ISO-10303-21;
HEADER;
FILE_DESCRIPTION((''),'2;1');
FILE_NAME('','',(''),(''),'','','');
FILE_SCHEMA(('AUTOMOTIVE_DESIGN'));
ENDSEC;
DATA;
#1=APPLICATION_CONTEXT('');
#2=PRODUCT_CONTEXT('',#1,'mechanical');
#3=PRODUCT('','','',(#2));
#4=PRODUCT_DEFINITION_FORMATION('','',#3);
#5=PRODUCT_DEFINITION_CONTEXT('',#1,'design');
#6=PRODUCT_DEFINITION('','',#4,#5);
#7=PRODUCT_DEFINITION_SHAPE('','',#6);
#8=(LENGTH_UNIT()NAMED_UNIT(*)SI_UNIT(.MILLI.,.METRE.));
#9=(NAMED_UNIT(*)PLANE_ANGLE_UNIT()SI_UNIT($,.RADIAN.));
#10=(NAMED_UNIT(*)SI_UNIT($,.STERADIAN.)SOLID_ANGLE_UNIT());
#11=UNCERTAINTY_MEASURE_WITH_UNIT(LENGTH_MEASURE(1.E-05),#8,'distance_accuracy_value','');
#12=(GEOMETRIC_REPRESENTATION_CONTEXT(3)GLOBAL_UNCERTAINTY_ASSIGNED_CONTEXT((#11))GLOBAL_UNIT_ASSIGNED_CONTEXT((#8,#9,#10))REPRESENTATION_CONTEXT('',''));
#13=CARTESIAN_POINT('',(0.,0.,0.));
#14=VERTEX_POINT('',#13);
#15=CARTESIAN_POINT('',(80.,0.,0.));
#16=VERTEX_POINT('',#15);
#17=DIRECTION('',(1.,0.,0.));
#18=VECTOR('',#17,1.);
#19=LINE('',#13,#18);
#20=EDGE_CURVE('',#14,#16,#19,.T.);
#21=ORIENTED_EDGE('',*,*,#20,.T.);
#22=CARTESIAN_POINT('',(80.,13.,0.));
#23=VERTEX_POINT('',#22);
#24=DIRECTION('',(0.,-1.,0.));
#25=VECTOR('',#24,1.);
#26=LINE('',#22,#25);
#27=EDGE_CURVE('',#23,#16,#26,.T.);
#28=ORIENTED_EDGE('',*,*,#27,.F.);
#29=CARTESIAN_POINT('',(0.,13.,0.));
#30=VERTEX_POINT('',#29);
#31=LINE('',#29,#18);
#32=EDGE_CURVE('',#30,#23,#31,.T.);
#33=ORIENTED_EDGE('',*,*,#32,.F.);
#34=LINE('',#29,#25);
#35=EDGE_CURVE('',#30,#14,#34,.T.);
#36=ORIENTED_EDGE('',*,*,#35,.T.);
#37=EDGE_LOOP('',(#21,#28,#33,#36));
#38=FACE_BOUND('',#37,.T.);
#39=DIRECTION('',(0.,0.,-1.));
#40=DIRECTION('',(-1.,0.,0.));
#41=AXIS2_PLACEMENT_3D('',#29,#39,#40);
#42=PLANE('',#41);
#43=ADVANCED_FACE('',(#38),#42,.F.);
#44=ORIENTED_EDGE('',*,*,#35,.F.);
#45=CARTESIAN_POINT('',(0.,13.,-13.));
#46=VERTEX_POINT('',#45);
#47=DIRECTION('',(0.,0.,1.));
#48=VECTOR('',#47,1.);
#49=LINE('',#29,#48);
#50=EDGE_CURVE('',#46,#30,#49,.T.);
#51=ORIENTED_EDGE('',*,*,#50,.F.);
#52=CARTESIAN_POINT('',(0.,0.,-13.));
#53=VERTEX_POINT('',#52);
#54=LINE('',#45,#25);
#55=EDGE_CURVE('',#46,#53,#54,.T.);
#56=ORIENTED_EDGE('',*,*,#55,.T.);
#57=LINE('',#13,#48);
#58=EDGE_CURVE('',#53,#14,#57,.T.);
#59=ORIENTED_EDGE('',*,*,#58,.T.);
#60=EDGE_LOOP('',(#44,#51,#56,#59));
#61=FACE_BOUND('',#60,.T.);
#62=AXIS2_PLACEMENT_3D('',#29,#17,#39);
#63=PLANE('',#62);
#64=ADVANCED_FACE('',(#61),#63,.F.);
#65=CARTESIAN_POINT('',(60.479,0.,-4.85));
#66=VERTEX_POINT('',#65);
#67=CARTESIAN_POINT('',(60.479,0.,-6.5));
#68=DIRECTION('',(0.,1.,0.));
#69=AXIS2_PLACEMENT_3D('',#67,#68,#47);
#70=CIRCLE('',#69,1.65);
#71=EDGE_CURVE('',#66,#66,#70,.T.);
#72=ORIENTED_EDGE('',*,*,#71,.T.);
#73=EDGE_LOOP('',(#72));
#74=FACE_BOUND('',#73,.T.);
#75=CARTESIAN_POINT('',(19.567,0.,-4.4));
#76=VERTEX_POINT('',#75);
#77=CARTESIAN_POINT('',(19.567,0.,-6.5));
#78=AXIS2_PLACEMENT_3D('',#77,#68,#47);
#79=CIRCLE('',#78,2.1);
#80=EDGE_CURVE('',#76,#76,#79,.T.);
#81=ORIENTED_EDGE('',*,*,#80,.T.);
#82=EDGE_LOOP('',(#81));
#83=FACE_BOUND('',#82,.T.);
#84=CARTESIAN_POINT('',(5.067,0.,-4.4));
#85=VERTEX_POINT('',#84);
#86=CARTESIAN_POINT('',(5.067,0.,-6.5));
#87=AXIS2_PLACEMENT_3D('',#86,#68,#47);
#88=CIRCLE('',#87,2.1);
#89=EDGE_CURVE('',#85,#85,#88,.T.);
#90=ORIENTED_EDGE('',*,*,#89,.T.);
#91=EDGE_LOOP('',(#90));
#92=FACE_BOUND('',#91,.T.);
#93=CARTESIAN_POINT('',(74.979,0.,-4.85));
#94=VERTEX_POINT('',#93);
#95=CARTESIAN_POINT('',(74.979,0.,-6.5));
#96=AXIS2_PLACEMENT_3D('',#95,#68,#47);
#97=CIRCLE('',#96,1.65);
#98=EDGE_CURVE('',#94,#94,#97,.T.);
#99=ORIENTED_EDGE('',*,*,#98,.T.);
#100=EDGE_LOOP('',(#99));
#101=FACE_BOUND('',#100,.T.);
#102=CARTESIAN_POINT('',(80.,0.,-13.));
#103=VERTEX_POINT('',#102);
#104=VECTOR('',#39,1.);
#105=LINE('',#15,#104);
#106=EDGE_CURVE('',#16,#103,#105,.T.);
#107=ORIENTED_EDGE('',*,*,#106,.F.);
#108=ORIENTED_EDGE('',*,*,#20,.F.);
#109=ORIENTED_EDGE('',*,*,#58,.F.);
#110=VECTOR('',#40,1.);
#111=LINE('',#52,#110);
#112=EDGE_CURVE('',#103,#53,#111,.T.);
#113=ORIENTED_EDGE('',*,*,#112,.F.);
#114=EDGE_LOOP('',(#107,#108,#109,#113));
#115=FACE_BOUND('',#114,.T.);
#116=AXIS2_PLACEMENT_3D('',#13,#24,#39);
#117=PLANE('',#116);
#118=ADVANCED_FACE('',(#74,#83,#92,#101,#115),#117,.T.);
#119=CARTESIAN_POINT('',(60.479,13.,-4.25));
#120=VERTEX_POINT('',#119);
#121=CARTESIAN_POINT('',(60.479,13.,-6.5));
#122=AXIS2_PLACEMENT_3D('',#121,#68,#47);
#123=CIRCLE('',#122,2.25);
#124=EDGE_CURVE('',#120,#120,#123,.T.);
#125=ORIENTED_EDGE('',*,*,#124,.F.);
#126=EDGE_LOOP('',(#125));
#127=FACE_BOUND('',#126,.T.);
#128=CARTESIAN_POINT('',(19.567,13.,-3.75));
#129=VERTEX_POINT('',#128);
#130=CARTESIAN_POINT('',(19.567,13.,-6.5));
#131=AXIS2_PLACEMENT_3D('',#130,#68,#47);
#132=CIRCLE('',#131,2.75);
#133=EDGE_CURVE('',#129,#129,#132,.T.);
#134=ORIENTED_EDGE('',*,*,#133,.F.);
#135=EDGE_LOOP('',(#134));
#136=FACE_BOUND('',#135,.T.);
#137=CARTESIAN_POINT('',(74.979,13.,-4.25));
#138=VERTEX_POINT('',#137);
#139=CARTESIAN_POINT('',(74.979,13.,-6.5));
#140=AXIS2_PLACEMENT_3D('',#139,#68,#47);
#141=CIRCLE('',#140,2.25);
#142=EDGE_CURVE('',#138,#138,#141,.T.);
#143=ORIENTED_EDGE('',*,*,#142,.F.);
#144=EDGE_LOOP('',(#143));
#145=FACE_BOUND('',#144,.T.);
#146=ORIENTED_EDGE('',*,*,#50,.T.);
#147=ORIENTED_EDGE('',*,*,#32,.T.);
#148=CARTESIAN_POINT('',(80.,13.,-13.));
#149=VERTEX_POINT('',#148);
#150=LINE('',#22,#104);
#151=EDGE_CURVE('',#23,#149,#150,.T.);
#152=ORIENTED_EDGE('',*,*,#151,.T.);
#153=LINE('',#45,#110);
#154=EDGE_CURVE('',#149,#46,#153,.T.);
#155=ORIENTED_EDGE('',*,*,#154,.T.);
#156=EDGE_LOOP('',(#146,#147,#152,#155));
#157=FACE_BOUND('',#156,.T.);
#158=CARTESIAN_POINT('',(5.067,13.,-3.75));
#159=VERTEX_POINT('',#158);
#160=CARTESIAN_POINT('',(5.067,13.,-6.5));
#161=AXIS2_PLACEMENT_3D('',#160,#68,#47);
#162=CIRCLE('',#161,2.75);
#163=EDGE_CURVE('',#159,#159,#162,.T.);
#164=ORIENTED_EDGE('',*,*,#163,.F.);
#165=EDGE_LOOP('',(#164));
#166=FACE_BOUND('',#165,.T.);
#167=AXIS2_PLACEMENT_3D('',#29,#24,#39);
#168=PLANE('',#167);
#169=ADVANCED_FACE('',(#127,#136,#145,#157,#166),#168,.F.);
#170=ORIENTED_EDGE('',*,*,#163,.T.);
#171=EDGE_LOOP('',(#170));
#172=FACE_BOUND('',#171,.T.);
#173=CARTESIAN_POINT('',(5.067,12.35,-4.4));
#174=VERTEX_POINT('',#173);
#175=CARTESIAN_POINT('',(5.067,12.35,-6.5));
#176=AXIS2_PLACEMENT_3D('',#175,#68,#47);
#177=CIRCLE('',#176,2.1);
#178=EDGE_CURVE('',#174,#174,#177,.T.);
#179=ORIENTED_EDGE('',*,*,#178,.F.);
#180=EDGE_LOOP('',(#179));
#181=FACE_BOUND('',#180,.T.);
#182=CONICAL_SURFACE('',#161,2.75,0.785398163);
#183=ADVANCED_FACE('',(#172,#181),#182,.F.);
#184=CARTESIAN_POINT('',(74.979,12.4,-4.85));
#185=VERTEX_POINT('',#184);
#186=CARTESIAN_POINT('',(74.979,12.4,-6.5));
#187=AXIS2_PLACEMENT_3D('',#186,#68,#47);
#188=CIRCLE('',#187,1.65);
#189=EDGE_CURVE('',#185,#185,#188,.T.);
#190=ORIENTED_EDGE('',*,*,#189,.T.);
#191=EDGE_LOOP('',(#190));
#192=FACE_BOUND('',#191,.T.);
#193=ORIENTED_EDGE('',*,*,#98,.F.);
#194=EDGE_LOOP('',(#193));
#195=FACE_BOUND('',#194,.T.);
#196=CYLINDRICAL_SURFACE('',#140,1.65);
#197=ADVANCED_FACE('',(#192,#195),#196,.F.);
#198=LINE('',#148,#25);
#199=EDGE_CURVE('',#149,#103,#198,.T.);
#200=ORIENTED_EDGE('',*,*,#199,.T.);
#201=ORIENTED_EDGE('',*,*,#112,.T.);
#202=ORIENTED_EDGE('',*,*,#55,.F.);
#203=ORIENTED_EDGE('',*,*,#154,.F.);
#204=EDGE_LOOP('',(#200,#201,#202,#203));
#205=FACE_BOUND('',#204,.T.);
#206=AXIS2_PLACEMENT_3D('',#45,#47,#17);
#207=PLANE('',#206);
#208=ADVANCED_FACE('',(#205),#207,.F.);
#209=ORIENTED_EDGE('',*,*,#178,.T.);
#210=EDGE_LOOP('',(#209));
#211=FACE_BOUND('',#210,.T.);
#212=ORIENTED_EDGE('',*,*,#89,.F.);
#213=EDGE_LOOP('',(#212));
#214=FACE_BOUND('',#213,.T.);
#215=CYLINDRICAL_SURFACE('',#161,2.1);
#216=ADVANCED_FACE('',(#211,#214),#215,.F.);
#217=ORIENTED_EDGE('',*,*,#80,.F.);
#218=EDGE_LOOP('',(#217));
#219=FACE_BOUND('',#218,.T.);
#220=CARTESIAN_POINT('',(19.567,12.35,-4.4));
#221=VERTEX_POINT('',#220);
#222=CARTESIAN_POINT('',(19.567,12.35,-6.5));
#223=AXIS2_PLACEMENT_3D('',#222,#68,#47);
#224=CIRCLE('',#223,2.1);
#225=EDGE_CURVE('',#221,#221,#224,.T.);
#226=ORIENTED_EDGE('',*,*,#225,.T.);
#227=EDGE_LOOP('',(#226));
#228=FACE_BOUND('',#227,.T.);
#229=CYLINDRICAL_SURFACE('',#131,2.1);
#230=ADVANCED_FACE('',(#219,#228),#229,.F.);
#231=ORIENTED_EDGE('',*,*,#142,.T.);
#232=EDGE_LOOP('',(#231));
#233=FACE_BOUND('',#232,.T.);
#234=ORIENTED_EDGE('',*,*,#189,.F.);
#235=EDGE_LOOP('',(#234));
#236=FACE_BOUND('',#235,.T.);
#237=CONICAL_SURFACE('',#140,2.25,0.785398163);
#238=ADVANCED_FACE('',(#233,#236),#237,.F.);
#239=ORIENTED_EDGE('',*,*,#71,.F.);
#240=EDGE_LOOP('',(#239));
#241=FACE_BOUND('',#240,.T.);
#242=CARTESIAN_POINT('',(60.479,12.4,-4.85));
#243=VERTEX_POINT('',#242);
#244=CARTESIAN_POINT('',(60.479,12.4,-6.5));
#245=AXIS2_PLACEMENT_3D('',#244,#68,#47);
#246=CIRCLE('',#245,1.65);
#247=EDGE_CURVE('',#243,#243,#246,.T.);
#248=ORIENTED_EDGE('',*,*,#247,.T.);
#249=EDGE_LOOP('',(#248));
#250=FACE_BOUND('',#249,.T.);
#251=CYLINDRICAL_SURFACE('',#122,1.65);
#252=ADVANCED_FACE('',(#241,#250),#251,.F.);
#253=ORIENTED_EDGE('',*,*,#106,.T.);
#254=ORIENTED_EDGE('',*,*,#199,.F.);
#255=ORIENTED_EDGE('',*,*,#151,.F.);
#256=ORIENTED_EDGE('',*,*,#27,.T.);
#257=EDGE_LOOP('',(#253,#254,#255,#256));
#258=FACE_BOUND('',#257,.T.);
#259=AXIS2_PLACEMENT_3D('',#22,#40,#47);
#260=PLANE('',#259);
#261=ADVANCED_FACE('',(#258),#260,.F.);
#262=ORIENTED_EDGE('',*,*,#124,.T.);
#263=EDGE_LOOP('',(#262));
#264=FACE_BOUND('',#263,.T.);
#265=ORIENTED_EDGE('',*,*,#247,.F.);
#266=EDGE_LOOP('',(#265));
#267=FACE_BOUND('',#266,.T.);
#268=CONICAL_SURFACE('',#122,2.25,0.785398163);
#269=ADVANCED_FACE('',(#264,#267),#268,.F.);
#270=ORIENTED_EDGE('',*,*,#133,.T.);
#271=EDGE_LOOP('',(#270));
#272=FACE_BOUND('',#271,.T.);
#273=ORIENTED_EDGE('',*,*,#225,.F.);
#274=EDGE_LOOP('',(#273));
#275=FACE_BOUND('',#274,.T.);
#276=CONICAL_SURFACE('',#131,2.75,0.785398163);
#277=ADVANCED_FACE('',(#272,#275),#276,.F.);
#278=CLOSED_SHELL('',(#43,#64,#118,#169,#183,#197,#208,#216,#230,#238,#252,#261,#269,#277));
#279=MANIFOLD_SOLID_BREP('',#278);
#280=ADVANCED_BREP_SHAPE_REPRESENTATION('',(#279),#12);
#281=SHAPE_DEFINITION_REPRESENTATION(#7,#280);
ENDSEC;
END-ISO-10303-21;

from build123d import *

# Parameters (mm, degrees)
SKETCH1_W                       = 80
SKETCH1_H                       = 13
BOSS_EXTRUDE1_DEPTH             = 13
M4X0_7_TAPPED_HOLE1_D           = 3.3
M4X0_7_TAPPED_HOLE1_CSINK_D     = 4.5
M4X0_7_TAPPED_HOLE1_CSINK_ANGLE = 90
M5X0_8_TAPPED_HOLE1_D           = 4.2
M5X0_8_TAPPED_HOLE1_CSINK_D     = 5.5
M5X0_8_TAPPED_HOLE1_CSINK_ANGLE = 90


with BuildPart() as part:
    # Sketch1 → Boss-Extrude1 (new body)
    with BuildSketch(Plane(origin=(0, 0, 0), x_dir=(1, 0, 0), z_dir=(0, 1, 0))):
        with Locations((40, 6.5)):
            Rectangle(SKETCH1_W, SKETCH1_H)
    extrude(amount=BOSS_EXTRUDE1_DEPTH)

    # M4x0.7 Tapped Hole1 (through all)
    with Locations(Plane(origin=(74.979, 13, -6.5), x_dir=(0, 0, 1), z_dir=(0, 1, 0))):
        with Locations((0, 0), (0, -14.5)):
            CounterSinkHole(M4X0_7_TAPPED_HOLE1_D / 2, M4X0_7_TAPPED_HOLE1_CSINK_D / 2, counter_sink_angle=M4X0_7_TAPPED_HOLE1_CSINK_ANGLE)

    # M5x0.8 Tapped Hole1 (through all)
    with Locations(Plane(origin=(5.067, 13, -6.5), x_dir=(0, 0, 1), z_dir=(0, 1, 0))):
        with Locations((0, 0), (0, 14.5)):
            CounterSinkHole(M5X0_8_TAPPED_HOLE1_D / 2, M5X0_8_TAPPED_HOLE1_CSINK_D / 2, counter_sink_angle=M5X0_8_TAPPED_HOLE1_CSINK_ANGLE)


solid = part.part
